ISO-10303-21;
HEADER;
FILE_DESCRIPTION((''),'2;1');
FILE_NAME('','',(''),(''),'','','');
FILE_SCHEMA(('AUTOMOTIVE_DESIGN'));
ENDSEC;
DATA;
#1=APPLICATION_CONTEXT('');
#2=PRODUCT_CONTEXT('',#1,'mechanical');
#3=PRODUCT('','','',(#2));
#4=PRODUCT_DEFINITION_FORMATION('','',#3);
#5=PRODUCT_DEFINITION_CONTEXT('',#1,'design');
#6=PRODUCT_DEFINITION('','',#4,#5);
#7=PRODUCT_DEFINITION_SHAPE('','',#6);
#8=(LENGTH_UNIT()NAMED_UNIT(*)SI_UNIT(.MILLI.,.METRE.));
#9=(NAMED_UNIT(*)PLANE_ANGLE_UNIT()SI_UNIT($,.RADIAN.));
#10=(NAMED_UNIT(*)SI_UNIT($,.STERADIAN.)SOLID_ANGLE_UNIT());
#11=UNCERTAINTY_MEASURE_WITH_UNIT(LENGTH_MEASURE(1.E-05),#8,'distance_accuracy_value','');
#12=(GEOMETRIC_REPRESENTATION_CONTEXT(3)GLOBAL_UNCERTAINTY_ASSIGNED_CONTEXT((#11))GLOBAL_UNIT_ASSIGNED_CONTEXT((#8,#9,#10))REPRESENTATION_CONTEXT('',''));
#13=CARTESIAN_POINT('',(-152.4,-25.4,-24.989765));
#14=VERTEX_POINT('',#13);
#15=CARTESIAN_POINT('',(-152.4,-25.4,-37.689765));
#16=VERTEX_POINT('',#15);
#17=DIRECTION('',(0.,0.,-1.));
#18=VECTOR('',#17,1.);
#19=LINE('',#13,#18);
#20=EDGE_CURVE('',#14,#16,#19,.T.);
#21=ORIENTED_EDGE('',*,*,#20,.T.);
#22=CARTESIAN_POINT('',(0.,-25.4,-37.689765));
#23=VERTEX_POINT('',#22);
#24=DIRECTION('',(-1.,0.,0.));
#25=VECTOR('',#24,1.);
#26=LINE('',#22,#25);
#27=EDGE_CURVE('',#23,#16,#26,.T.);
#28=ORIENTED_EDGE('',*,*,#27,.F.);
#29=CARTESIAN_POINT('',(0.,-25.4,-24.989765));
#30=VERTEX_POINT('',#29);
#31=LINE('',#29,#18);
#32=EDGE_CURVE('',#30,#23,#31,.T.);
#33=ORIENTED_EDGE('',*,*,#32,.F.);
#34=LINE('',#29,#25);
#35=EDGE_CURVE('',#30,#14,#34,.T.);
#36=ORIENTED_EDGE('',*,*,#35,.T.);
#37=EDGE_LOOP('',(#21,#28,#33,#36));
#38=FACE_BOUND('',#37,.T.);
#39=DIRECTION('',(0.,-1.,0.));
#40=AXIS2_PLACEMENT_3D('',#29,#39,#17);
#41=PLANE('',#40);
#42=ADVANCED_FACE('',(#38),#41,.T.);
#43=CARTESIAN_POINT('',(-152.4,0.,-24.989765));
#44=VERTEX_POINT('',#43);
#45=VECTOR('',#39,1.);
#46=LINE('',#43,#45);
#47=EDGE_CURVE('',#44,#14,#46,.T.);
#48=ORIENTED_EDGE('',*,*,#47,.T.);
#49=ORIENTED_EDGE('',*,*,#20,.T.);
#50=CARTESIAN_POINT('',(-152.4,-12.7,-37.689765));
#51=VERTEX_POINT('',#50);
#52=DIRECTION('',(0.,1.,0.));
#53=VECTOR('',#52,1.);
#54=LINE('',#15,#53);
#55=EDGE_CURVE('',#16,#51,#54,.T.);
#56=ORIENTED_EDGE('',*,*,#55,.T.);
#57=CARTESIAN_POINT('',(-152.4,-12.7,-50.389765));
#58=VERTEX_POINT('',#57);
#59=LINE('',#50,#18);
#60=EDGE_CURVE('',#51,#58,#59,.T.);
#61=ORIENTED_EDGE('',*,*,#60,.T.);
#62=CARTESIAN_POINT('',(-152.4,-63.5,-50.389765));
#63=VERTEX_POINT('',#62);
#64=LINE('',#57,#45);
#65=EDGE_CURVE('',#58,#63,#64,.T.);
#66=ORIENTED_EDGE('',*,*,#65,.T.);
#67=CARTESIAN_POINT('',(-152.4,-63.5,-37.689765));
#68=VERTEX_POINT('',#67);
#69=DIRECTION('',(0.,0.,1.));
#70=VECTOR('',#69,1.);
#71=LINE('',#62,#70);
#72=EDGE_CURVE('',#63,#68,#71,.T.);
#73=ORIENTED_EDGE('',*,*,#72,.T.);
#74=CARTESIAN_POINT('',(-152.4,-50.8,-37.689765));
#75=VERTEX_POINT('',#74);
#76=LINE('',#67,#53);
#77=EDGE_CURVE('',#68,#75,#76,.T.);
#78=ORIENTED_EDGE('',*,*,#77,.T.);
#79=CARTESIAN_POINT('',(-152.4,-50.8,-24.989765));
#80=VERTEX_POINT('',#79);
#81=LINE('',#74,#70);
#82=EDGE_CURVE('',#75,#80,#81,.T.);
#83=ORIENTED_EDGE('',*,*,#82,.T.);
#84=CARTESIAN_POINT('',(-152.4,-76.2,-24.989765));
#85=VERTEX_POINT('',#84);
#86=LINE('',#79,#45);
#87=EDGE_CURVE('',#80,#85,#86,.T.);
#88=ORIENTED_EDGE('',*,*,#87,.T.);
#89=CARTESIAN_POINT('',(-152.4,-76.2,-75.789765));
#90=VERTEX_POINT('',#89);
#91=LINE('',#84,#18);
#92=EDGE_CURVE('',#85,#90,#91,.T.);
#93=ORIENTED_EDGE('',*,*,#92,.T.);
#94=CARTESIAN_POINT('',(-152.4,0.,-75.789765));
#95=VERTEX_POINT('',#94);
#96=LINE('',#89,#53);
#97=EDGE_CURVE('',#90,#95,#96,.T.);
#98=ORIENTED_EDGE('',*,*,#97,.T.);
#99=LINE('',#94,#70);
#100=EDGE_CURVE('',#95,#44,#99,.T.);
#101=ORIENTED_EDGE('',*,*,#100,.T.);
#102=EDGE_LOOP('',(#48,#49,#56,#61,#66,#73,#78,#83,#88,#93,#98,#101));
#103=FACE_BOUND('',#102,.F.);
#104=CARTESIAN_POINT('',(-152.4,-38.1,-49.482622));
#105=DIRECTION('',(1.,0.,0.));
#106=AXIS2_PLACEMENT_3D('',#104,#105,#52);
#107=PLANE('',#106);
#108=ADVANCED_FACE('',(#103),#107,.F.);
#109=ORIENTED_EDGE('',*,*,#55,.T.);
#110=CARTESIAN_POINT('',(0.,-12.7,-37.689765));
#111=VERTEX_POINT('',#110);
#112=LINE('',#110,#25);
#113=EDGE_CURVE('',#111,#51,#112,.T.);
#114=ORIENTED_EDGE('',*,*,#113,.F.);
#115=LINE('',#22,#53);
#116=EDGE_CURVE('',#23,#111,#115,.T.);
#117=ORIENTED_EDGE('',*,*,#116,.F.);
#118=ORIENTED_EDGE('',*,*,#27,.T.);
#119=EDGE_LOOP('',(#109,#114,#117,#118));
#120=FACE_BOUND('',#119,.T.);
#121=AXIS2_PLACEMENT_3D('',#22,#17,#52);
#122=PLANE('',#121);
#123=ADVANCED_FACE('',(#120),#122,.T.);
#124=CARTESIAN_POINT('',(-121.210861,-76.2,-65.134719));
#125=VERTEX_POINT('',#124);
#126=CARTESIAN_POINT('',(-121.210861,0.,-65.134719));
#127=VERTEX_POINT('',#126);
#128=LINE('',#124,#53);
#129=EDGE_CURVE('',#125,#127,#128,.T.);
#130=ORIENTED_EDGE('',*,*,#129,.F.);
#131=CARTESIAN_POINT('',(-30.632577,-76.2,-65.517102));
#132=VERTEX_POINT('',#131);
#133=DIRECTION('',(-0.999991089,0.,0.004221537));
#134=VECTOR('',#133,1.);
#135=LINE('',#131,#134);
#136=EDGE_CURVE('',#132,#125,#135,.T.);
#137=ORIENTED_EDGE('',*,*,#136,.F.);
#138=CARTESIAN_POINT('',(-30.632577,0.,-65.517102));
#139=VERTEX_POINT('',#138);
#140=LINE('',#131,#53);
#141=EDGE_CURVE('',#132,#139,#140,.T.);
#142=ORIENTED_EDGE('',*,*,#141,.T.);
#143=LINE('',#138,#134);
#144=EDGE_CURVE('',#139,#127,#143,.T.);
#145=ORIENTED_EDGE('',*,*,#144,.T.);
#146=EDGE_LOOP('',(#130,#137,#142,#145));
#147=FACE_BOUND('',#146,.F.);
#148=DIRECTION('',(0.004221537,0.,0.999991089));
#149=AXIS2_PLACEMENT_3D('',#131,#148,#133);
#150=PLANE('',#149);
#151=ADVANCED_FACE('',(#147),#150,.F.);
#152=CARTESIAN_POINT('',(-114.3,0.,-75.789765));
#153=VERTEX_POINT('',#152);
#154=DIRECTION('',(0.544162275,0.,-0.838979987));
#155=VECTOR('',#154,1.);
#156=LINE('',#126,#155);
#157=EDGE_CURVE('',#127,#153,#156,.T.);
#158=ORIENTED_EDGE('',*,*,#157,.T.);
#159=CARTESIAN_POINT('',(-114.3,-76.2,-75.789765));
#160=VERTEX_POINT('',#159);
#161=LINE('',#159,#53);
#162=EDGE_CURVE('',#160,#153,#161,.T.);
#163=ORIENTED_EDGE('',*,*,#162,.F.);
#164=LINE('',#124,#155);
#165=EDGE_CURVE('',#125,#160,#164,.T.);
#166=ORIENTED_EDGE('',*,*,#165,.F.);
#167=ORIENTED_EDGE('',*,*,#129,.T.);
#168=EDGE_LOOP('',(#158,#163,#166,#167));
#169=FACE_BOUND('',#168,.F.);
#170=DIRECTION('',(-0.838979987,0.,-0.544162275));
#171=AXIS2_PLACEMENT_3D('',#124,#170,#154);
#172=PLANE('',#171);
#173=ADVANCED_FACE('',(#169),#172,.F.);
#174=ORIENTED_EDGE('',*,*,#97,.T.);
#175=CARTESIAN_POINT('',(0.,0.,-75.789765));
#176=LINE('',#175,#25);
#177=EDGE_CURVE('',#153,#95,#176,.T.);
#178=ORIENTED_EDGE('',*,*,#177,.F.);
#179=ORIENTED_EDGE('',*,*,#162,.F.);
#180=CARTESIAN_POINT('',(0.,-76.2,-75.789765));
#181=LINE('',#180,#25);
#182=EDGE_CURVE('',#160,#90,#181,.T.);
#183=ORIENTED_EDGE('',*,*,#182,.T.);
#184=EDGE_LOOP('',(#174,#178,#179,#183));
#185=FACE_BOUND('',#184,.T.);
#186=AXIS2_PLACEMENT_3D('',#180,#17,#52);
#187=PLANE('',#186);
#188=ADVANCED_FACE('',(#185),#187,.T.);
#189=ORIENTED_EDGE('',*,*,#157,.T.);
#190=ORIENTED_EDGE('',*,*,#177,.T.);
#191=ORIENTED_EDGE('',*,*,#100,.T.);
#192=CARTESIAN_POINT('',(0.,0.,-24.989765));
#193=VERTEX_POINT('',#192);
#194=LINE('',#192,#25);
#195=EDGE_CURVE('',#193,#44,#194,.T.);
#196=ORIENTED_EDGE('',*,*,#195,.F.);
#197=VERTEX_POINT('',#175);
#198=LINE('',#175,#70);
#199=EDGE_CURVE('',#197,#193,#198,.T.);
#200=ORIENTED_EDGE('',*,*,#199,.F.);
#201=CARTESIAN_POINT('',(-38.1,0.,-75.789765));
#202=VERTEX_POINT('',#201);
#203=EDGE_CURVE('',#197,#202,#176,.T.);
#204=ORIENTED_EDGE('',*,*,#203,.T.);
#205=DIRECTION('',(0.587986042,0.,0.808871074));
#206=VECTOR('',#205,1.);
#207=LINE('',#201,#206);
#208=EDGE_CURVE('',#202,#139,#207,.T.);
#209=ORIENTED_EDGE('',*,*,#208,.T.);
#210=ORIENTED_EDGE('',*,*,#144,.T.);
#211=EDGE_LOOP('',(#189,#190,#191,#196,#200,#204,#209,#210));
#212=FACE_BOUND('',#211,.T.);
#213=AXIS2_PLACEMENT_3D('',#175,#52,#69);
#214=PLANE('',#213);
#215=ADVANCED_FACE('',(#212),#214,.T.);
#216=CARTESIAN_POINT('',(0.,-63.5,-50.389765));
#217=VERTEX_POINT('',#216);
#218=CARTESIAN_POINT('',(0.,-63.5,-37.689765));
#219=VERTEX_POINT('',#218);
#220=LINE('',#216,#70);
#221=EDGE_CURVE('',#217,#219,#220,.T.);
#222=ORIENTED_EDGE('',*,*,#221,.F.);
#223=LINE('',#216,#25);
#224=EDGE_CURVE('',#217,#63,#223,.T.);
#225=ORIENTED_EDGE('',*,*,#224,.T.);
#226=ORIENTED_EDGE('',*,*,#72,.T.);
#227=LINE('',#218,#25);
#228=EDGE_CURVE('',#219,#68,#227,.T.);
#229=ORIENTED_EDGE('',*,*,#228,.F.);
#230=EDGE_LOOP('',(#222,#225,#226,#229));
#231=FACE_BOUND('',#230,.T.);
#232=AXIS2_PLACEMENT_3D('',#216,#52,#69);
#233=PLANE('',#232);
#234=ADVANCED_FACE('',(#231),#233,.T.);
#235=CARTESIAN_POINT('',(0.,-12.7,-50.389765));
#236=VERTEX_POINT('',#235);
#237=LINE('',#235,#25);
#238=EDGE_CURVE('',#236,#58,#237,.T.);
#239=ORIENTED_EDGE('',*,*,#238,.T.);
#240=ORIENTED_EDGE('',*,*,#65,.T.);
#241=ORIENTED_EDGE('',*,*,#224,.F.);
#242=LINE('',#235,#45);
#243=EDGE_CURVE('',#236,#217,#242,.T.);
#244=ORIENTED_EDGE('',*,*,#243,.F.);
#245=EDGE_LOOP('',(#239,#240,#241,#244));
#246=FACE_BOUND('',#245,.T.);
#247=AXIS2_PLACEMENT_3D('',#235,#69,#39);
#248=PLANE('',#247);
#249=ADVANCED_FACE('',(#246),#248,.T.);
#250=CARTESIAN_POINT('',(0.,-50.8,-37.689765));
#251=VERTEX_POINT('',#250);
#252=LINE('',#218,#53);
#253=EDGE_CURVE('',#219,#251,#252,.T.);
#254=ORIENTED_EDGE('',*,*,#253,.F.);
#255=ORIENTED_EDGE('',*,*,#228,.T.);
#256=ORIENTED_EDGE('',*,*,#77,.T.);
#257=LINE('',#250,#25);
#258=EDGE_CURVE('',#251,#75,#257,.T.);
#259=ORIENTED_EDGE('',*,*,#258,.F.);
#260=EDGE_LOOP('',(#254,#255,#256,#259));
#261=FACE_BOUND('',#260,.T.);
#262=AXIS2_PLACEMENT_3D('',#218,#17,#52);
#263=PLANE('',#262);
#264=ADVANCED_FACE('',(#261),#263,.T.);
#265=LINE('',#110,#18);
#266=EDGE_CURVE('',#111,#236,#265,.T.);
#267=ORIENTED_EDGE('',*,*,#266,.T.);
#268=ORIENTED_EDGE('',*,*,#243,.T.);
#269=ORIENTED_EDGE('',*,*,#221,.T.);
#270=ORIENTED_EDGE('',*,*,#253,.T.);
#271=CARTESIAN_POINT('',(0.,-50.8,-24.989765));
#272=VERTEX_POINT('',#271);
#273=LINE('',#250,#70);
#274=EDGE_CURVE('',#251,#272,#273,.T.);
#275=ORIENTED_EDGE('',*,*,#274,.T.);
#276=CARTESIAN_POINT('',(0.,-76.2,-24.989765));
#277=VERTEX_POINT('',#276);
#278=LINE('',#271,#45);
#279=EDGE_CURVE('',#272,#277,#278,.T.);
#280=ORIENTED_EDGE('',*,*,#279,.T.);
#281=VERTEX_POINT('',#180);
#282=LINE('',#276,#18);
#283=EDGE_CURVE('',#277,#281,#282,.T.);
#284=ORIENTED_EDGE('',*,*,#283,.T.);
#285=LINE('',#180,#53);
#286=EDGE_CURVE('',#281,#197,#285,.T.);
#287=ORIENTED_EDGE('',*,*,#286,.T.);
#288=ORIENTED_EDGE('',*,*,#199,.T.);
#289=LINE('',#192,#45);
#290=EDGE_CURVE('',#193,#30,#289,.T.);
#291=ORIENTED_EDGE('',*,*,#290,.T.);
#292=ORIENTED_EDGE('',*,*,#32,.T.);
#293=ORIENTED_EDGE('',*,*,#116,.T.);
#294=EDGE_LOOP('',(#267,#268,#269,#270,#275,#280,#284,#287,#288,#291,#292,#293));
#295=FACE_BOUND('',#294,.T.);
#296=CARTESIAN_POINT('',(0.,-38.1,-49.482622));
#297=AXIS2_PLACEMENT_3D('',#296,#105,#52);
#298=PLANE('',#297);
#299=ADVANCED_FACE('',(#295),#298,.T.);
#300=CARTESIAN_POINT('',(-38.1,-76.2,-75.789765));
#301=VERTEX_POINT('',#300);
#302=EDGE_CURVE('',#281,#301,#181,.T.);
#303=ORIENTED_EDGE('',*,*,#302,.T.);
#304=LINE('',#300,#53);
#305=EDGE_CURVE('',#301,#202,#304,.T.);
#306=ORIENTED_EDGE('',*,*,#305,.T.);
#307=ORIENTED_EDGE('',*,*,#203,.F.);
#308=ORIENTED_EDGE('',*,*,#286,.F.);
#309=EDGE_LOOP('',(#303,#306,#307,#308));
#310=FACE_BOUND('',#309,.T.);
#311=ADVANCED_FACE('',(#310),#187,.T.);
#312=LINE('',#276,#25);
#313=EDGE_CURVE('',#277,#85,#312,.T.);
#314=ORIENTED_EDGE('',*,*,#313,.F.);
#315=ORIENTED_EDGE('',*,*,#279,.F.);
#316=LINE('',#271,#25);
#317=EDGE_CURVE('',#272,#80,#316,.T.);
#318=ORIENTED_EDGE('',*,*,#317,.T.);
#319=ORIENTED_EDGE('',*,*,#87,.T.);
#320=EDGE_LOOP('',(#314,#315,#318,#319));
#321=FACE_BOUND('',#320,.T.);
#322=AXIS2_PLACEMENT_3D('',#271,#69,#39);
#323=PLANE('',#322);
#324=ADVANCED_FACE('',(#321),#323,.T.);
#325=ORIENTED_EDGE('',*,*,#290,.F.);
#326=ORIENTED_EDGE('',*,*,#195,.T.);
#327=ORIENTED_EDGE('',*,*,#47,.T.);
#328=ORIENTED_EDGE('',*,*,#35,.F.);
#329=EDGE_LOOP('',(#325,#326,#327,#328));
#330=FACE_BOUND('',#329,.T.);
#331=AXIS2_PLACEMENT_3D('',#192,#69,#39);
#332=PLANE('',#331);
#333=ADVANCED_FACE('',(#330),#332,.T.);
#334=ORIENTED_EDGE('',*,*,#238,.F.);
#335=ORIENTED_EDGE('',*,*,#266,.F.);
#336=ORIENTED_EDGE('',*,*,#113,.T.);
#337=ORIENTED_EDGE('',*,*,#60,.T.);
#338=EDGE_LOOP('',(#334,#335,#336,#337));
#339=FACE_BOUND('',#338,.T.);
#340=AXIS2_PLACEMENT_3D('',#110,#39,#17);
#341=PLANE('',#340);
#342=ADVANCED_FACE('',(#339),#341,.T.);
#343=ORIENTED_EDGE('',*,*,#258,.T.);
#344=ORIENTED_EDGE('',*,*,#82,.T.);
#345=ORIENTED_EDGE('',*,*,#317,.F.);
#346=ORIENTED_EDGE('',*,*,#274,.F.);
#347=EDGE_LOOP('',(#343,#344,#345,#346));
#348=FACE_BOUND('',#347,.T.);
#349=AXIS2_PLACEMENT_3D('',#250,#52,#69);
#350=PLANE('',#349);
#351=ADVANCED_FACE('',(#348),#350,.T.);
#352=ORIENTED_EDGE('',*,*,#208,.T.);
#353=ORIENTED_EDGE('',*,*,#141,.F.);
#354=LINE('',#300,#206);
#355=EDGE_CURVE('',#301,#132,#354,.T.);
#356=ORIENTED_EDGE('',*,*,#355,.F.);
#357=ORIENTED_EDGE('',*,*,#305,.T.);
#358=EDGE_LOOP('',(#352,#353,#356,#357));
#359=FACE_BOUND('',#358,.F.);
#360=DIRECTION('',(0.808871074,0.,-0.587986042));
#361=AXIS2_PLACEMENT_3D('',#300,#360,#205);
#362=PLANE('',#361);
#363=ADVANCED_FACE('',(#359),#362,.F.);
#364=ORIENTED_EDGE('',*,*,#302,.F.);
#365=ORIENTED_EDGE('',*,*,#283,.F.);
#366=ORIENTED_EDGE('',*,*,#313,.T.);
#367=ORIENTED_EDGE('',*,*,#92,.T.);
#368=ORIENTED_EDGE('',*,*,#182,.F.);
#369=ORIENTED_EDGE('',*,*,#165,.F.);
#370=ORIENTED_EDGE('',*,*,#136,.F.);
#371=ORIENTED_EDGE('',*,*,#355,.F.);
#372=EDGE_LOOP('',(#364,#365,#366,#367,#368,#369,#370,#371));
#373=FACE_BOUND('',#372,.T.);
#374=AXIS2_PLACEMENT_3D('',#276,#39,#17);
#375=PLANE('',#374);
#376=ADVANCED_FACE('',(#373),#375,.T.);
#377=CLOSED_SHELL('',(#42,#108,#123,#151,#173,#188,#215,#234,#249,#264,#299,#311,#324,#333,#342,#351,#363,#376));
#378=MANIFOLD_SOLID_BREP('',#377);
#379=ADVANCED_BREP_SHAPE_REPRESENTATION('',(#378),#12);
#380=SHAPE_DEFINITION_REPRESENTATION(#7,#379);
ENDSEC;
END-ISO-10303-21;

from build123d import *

# Parameters (mm, degrees)
F1_DEPTH = 152.4
F3_DEPTH = 76.2


with BuildPart() as f1:
    # F0 (on Right) → F1 (new body)
    with BuildSketch(Plane.YZ):
        Polygon((-76.2, -24.989765), (-76.2, -75.789765), (0, -75.789765), (0, -24.989765), (-25.4, -24.989765), (-25.4, -37.689765), (-12.7, -37.689765), (-12.7, -50.389765), (-63.5, -50.389765), (-63.5, -37.689765), (-50.8, -37.689765), (-50.8, -24.989765), align=None)
    extrude(amount=-F1_DEPTH)

    # F2 (on face) → F3 (cut, through all)
    with BuildSketch(Plane.XZ.offset(76.2)):
        Polygon((-121.210861, -65.134719), (-114.3, -75.789765), (-38.1, -75.789765), (-30.632577, -65.517102), align=None)
    extrude(amount=-F3_DEPTH, mode=Mode.SUBTRACT)


solid = f1.part
